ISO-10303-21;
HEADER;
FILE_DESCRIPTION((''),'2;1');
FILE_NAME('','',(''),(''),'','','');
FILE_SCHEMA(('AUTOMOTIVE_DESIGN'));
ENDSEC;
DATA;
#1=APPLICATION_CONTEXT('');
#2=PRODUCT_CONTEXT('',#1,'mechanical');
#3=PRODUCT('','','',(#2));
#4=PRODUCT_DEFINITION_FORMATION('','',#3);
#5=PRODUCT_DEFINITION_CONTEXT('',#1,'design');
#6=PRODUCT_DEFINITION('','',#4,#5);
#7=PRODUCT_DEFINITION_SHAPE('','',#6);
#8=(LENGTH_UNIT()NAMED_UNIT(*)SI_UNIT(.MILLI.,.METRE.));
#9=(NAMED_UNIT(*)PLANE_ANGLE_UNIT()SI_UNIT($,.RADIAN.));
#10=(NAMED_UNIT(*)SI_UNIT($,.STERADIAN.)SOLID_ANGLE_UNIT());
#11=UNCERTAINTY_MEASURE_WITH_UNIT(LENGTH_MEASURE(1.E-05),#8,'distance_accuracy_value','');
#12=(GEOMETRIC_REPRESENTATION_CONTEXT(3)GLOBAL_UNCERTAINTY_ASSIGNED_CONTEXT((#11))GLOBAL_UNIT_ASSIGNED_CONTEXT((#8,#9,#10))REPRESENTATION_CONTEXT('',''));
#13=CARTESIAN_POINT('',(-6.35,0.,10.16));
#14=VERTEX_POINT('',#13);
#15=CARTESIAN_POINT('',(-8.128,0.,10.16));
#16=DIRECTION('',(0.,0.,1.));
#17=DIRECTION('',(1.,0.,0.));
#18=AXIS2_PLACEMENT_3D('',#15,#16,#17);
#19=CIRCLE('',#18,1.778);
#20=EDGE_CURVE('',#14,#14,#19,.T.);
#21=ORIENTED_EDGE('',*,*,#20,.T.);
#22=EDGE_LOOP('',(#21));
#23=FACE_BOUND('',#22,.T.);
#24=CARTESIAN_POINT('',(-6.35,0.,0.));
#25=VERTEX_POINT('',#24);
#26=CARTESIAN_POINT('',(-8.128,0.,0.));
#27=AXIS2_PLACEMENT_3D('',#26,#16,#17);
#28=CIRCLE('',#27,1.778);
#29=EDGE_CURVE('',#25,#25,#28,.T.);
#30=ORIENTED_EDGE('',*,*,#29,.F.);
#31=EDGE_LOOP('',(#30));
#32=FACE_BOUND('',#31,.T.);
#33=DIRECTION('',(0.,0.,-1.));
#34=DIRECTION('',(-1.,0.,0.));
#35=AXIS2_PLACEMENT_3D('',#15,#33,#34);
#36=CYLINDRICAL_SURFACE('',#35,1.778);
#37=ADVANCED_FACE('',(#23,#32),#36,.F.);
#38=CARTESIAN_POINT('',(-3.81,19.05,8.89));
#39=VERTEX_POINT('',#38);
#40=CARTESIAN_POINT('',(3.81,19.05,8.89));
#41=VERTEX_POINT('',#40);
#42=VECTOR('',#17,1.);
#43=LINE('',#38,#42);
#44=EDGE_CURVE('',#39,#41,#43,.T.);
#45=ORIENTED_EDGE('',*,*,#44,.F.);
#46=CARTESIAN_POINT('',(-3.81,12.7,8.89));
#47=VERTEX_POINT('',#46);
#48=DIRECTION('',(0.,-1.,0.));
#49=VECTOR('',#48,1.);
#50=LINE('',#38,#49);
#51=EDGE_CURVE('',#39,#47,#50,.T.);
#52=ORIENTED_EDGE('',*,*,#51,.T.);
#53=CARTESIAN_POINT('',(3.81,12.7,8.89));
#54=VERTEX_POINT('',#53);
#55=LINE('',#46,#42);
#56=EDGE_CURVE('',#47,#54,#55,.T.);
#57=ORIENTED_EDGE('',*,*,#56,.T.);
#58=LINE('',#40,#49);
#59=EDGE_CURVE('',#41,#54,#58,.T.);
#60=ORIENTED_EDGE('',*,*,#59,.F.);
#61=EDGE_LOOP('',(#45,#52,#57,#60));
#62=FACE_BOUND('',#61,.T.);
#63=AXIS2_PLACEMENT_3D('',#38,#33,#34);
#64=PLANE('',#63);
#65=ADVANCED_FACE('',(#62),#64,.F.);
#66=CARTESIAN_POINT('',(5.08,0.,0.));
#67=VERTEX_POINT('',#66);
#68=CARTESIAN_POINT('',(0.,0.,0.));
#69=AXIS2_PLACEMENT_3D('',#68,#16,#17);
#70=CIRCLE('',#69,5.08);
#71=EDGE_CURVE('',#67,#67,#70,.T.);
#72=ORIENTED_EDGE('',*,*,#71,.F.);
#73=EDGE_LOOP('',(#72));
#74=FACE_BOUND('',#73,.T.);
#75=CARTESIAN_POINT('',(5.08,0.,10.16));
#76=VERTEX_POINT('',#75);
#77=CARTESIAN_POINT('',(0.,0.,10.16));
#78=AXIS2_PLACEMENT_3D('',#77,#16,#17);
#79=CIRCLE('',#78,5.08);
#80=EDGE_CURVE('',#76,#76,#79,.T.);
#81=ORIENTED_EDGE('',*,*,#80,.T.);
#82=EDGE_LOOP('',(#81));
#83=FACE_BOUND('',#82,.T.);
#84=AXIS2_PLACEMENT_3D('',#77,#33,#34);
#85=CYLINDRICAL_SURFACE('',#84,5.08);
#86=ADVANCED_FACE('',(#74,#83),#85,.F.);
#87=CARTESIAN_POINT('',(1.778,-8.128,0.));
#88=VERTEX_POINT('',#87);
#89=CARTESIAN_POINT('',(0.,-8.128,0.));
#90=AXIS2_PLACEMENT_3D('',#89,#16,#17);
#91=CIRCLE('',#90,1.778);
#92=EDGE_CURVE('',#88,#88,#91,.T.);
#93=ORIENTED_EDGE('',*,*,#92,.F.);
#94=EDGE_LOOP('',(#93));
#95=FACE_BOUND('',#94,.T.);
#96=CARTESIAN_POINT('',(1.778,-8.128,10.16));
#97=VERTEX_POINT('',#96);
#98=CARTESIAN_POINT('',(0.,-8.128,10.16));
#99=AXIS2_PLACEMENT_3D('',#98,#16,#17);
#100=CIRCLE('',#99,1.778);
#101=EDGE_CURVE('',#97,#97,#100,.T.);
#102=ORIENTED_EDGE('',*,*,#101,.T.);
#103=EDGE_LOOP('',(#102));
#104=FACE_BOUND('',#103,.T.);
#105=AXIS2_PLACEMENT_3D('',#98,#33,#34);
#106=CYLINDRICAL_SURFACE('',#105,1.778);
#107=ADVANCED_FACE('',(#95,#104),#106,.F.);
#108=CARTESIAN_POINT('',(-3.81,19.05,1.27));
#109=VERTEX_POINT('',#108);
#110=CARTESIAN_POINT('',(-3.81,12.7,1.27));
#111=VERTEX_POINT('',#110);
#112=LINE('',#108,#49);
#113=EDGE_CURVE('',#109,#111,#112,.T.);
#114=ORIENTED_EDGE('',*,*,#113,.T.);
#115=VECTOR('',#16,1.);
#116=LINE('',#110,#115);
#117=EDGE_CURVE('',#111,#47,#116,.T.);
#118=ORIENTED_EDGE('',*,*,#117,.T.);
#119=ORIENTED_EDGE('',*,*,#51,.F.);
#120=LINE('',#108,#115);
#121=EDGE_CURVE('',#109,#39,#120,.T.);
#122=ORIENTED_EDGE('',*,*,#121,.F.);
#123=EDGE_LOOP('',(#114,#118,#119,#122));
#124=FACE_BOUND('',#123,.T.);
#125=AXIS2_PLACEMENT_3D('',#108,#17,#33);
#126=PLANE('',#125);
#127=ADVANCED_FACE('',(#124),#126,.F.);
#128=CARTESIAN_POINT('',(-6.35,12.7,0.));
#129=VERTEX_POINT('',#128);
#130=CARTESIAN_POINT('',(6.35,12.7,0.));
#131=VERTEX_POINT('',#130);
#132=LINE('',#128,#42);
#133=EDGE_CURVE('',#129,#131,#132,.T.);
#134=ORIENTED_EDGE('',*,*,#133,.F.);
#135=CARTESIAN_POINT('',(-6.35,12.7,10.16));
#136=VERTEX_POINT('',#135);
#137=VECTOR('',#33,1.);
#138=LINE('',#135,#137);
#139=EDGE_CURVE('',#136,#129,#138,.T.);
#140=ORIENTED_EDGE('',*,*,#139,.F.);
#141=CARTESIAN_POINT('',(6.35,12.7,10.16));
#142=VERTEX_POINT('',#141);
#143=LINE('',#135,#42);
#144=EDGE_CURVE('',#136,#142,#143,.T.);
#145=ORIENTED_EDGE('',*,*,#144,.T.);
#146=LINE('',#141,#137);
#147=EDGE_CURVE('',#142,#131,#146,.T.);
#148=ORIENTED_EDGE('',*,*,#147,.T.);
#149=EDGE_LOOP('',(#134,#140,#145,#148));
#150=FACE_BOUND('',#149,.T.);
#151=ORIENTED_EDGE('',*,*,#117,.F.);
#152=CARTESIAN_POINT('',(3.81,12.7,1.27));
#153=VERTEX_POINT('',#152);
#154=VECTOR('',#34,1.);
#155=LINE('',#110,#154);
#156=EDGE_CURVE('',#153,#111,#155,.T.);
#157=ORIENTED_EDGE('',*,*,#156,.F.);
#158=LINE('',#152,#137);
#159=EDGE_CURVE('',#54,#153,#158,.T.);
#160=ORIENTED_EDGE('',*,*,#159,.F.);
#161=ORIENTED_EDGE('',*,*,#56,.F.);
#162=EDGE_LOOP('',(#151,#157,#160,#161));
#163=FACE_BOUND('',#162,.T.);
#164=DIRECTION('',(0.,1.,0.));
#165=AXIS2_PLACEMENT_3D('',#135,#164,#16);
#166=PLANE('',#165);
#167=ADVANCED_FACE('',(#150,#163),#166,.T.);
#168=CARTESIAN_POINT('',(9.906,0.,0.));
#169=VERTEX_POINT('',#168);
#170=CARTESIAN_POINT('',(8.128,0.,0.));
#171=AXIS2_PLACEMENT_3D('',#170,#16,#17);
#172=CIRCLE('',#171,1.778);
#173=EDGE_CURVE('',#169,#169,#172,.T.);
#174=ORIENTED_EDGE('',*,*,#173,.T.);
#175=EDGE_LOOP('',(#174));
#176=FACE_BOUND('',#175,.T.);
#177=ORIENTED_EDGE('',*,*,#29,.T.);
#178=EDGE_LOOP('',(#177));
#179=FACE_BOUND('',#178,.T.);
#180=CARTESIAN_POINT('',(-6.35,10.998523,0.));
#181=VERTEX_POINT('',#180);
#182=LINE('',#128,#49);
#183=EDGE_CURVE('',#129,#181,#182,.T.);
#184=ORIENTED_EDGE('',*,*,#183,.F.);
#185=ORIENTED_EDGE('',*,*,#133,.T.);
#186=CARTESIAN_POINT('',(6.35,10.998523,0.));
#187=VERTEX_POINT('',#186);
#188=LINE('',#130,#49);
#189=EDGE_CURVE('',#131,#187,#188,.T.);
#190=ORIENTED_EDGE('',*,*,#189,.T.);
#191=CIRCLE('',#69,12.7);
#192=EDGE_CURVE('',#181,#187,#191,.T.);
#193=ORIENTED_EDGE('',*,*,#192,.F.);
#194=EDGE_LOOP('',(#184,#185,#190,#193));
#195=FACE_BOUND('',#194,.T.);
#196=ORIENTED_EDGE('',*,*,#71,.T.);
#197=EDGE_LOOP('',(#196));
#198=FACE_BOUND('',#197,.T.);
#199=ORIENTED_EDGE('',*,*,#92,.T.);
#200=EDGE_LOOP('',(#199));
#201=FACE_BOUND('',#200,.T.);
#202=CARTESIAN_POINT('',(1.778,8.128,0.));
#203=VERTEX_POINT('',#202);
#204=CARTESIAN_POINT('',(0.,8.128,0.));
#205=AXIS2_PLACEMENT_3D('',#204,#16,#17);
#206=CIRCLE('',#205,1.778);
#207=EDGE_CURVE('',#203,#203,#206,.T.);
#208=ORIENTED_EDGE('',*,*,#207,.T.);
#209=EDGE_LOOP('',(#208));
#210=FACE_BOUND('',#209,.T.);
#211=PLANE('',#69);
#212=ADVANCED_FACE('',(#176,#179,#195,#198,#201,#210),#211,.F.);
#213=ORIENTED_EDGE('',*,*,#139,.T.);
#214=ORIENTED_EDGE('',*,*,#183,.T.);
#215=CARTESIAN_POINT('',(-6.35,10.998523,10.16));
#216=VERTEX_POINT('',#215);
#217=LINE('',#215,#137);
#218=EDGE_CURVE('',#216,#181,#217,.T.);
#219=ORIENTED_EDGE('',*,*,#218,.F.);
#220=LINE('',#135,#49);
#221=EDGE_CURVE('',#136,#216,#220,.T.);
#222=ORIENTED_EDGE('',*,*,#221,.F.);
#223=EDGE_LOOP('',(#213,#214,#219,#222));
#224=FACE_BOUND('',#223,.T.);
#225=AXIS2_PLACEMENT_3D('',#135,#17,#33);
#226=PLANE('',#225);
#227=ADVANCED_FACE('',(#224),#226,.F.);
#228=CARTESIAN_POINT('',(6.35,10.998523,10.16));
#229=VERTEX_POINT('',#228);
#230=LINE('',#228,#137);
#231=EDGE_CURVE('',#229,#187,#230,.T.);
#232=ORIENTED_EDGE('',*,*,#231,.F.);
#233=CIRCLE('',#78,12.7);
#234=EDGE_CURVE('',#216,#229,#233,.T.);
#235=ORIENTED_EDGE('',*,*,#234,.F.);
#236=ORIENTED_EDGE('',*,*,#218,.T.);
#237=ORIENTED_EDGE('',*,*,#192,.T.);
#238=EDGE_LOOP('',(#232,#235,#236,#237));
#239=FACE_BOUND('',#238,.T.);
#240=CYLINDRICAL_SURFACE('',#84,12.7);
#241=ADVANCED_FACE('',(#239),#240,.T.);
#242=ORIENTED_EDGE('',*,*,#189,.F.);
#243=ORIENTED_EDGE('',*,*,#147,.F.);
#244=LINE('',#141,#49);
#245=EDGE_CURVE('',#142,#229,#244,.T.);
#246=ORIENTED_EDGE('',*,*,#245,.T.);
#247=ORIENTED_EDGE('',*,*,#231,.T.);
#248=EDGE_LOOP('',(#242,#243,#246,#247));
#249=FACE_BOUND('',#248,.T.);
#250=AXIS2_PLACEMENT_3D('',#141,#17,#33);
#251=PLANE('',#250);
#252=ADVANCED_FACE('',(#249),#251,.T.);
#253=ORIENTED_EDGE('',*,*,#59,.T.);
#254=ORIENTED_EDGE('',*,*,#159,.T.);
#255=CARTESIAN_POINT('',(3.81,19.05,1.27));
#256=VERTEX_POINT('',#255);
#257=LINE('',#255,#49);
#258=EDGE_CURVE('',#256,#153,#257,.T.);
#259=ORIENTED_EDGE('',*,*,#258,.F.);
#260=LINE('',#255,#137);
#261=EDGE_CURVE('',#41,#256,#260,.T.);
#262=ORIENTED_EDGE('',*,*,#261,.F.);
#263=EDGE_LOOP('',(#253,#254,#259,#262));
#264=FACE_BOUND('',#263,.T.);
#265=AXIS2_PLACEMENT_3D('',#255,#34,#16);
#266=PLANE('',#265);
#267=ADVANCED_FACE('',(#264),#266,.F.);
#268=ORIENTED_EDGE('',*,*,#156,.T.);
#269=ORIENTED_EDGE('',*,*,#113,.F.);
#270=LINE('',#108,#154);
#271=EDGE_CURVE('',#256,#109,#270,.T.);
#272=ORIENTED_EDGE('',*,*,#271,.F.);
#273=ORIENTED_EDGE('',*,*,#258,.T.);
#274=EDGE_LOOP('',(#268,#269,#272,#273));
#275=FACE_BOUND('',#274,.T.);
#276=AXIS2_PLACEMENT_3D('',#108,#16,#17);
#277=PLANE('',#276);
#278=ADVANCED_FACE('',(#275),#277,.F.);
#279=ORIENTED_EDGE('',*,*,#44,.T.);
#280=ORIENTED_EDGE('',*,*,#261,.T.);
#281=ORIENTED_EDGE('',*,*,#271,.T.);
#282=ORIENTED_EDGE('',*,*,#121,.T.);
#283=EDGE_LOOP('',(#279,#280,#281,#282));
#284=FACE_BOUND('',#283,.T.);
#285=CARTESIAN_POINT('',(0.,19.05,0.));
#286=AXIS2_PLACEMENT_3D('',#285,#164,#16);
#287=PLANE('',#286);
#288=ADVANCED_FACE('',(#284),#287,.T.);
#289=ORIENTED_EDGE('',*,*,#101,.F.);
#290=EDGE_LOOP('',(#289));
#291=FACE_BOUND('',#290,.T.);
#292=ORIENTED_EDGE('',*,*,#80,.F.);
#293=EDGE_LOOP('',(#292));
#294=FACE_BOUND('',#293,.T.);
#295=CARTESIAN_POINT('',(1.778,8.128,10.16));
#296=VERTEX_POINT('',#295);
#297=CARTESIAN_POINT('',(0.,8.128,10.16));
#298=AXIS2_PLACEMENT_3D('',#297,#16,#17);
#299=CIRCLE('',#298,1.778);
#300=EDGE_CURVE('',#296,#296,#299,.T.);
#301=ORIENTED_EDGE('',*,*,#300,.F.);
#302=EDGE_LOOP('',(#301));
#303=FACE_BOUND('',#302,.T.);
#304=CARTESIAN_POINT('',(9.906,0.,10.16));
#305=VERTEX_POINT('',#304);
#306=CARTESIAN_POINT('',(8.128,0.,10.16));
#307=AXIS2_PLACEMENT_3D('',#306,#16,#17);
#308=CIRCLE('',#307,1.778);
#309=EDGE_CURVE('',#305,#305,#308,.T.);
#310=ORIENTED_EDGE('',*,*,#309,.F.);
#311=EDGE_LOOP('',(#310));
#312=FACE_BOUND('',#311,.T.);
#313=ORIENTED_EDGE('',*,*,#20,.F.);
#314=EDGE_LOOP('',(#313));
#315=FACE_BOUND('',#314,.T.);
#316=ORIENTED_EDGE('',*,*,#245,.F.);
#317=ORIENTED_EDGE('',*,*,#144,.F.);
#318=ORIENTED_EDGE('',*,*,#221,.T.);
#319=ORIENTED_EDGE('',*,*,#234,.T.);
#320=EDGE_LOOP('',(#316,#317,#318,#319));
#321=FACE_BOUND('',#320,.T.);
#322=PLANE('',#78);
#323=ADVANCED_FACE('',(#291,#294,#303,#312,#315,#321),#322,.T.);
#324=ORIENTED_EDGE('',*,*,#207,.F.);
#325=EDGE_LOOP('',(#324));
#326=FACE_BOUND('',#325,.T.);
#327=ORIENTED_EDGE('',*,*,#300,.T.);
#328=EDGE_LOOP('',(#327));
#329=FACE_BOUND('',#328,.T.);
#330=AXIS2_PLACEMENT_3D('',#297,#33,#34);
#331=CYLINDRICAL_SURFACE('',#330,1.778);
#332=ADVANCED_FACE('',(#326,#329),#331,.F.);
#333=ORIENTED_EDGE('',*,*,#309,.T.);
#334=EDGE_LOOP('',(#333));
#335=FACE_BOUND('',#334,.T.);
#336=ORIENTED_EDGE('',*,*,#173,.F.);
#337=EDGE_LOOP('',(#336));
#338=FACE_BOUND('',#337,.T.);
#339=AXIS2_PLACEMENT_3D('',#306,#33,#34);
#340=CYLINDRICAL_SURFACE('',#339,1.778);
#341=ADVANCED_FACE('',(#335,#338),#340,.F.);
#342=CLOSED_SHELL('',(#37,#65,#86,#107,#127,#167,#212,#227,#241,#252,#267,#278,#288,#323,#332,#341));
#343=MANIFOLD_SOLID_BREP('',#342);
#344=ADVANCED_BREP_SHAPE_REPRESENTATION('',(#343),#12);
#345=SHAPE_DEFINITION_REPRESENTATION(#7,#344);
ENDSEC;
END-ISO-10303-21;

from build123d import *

# Parameters (mm, degrees)
SKETCH1_R           = 5.08
SKETCH1_R_2         = 1.778
BOSS_EXTRUDE1_DEPTH = 10.16
SKETCH2_W           = 7.62
SKETCH2_H           = 7.62
BOSS_EXTRUDE2_DEPTH = 6.35


with BuildPart() as part:
    # Sketch1 → Boss-Extrude1 (new body)
    with BuildSketch(Plane.XY):
        with BuildLine():
            Line((-6.35, 12.7), (-6.35, 10.998522628))
            ThreePointArc((-6.35, 10.998522628), (0, -12.7), (6.35, 10.998522628))
            Line((6.35, 10.998522628), (6.35, 12.7))
            Line((6.35, 12.7), (-6.35, 12.7))
        make_face()
        Circle(SKETCH1_R, mode=Mode.SUBTRACT)
        with Locations((0, 8.128)):
            Circle(SKETCH1_R_2, mode=Mode.SUBTRACT)
        with Locations((8.128, 0)):
            Circle(SKETCH1_R_2, mode=Mode.SUBTRACT)
        with Locations((0, -8.128)):
            Circle(SKETCH1_R_2, mode=Mode.SUBTRACT)
        with Locations((-8.128, 0)):
            Circle(SKETCH1_R_2, mode=Mode.SUBTRACT)
    extrude(amount=BOSS_EXTRUDE1_DEPTH)

    # Sketch2 → Boss-Extrude2 (add)
    with BuildSketch(Plane(origin=(0, 12.7, 0), x_dir=(1, 0, 0), z_dir=(0, 1, 0))):
        with Locations((0, -5.08)):
            Rectangle(SKETCH2_W, SKETCH2_H)
    extrude(amount=BOSS_EXTRUDE2_DEPTH)


solid = part.part
